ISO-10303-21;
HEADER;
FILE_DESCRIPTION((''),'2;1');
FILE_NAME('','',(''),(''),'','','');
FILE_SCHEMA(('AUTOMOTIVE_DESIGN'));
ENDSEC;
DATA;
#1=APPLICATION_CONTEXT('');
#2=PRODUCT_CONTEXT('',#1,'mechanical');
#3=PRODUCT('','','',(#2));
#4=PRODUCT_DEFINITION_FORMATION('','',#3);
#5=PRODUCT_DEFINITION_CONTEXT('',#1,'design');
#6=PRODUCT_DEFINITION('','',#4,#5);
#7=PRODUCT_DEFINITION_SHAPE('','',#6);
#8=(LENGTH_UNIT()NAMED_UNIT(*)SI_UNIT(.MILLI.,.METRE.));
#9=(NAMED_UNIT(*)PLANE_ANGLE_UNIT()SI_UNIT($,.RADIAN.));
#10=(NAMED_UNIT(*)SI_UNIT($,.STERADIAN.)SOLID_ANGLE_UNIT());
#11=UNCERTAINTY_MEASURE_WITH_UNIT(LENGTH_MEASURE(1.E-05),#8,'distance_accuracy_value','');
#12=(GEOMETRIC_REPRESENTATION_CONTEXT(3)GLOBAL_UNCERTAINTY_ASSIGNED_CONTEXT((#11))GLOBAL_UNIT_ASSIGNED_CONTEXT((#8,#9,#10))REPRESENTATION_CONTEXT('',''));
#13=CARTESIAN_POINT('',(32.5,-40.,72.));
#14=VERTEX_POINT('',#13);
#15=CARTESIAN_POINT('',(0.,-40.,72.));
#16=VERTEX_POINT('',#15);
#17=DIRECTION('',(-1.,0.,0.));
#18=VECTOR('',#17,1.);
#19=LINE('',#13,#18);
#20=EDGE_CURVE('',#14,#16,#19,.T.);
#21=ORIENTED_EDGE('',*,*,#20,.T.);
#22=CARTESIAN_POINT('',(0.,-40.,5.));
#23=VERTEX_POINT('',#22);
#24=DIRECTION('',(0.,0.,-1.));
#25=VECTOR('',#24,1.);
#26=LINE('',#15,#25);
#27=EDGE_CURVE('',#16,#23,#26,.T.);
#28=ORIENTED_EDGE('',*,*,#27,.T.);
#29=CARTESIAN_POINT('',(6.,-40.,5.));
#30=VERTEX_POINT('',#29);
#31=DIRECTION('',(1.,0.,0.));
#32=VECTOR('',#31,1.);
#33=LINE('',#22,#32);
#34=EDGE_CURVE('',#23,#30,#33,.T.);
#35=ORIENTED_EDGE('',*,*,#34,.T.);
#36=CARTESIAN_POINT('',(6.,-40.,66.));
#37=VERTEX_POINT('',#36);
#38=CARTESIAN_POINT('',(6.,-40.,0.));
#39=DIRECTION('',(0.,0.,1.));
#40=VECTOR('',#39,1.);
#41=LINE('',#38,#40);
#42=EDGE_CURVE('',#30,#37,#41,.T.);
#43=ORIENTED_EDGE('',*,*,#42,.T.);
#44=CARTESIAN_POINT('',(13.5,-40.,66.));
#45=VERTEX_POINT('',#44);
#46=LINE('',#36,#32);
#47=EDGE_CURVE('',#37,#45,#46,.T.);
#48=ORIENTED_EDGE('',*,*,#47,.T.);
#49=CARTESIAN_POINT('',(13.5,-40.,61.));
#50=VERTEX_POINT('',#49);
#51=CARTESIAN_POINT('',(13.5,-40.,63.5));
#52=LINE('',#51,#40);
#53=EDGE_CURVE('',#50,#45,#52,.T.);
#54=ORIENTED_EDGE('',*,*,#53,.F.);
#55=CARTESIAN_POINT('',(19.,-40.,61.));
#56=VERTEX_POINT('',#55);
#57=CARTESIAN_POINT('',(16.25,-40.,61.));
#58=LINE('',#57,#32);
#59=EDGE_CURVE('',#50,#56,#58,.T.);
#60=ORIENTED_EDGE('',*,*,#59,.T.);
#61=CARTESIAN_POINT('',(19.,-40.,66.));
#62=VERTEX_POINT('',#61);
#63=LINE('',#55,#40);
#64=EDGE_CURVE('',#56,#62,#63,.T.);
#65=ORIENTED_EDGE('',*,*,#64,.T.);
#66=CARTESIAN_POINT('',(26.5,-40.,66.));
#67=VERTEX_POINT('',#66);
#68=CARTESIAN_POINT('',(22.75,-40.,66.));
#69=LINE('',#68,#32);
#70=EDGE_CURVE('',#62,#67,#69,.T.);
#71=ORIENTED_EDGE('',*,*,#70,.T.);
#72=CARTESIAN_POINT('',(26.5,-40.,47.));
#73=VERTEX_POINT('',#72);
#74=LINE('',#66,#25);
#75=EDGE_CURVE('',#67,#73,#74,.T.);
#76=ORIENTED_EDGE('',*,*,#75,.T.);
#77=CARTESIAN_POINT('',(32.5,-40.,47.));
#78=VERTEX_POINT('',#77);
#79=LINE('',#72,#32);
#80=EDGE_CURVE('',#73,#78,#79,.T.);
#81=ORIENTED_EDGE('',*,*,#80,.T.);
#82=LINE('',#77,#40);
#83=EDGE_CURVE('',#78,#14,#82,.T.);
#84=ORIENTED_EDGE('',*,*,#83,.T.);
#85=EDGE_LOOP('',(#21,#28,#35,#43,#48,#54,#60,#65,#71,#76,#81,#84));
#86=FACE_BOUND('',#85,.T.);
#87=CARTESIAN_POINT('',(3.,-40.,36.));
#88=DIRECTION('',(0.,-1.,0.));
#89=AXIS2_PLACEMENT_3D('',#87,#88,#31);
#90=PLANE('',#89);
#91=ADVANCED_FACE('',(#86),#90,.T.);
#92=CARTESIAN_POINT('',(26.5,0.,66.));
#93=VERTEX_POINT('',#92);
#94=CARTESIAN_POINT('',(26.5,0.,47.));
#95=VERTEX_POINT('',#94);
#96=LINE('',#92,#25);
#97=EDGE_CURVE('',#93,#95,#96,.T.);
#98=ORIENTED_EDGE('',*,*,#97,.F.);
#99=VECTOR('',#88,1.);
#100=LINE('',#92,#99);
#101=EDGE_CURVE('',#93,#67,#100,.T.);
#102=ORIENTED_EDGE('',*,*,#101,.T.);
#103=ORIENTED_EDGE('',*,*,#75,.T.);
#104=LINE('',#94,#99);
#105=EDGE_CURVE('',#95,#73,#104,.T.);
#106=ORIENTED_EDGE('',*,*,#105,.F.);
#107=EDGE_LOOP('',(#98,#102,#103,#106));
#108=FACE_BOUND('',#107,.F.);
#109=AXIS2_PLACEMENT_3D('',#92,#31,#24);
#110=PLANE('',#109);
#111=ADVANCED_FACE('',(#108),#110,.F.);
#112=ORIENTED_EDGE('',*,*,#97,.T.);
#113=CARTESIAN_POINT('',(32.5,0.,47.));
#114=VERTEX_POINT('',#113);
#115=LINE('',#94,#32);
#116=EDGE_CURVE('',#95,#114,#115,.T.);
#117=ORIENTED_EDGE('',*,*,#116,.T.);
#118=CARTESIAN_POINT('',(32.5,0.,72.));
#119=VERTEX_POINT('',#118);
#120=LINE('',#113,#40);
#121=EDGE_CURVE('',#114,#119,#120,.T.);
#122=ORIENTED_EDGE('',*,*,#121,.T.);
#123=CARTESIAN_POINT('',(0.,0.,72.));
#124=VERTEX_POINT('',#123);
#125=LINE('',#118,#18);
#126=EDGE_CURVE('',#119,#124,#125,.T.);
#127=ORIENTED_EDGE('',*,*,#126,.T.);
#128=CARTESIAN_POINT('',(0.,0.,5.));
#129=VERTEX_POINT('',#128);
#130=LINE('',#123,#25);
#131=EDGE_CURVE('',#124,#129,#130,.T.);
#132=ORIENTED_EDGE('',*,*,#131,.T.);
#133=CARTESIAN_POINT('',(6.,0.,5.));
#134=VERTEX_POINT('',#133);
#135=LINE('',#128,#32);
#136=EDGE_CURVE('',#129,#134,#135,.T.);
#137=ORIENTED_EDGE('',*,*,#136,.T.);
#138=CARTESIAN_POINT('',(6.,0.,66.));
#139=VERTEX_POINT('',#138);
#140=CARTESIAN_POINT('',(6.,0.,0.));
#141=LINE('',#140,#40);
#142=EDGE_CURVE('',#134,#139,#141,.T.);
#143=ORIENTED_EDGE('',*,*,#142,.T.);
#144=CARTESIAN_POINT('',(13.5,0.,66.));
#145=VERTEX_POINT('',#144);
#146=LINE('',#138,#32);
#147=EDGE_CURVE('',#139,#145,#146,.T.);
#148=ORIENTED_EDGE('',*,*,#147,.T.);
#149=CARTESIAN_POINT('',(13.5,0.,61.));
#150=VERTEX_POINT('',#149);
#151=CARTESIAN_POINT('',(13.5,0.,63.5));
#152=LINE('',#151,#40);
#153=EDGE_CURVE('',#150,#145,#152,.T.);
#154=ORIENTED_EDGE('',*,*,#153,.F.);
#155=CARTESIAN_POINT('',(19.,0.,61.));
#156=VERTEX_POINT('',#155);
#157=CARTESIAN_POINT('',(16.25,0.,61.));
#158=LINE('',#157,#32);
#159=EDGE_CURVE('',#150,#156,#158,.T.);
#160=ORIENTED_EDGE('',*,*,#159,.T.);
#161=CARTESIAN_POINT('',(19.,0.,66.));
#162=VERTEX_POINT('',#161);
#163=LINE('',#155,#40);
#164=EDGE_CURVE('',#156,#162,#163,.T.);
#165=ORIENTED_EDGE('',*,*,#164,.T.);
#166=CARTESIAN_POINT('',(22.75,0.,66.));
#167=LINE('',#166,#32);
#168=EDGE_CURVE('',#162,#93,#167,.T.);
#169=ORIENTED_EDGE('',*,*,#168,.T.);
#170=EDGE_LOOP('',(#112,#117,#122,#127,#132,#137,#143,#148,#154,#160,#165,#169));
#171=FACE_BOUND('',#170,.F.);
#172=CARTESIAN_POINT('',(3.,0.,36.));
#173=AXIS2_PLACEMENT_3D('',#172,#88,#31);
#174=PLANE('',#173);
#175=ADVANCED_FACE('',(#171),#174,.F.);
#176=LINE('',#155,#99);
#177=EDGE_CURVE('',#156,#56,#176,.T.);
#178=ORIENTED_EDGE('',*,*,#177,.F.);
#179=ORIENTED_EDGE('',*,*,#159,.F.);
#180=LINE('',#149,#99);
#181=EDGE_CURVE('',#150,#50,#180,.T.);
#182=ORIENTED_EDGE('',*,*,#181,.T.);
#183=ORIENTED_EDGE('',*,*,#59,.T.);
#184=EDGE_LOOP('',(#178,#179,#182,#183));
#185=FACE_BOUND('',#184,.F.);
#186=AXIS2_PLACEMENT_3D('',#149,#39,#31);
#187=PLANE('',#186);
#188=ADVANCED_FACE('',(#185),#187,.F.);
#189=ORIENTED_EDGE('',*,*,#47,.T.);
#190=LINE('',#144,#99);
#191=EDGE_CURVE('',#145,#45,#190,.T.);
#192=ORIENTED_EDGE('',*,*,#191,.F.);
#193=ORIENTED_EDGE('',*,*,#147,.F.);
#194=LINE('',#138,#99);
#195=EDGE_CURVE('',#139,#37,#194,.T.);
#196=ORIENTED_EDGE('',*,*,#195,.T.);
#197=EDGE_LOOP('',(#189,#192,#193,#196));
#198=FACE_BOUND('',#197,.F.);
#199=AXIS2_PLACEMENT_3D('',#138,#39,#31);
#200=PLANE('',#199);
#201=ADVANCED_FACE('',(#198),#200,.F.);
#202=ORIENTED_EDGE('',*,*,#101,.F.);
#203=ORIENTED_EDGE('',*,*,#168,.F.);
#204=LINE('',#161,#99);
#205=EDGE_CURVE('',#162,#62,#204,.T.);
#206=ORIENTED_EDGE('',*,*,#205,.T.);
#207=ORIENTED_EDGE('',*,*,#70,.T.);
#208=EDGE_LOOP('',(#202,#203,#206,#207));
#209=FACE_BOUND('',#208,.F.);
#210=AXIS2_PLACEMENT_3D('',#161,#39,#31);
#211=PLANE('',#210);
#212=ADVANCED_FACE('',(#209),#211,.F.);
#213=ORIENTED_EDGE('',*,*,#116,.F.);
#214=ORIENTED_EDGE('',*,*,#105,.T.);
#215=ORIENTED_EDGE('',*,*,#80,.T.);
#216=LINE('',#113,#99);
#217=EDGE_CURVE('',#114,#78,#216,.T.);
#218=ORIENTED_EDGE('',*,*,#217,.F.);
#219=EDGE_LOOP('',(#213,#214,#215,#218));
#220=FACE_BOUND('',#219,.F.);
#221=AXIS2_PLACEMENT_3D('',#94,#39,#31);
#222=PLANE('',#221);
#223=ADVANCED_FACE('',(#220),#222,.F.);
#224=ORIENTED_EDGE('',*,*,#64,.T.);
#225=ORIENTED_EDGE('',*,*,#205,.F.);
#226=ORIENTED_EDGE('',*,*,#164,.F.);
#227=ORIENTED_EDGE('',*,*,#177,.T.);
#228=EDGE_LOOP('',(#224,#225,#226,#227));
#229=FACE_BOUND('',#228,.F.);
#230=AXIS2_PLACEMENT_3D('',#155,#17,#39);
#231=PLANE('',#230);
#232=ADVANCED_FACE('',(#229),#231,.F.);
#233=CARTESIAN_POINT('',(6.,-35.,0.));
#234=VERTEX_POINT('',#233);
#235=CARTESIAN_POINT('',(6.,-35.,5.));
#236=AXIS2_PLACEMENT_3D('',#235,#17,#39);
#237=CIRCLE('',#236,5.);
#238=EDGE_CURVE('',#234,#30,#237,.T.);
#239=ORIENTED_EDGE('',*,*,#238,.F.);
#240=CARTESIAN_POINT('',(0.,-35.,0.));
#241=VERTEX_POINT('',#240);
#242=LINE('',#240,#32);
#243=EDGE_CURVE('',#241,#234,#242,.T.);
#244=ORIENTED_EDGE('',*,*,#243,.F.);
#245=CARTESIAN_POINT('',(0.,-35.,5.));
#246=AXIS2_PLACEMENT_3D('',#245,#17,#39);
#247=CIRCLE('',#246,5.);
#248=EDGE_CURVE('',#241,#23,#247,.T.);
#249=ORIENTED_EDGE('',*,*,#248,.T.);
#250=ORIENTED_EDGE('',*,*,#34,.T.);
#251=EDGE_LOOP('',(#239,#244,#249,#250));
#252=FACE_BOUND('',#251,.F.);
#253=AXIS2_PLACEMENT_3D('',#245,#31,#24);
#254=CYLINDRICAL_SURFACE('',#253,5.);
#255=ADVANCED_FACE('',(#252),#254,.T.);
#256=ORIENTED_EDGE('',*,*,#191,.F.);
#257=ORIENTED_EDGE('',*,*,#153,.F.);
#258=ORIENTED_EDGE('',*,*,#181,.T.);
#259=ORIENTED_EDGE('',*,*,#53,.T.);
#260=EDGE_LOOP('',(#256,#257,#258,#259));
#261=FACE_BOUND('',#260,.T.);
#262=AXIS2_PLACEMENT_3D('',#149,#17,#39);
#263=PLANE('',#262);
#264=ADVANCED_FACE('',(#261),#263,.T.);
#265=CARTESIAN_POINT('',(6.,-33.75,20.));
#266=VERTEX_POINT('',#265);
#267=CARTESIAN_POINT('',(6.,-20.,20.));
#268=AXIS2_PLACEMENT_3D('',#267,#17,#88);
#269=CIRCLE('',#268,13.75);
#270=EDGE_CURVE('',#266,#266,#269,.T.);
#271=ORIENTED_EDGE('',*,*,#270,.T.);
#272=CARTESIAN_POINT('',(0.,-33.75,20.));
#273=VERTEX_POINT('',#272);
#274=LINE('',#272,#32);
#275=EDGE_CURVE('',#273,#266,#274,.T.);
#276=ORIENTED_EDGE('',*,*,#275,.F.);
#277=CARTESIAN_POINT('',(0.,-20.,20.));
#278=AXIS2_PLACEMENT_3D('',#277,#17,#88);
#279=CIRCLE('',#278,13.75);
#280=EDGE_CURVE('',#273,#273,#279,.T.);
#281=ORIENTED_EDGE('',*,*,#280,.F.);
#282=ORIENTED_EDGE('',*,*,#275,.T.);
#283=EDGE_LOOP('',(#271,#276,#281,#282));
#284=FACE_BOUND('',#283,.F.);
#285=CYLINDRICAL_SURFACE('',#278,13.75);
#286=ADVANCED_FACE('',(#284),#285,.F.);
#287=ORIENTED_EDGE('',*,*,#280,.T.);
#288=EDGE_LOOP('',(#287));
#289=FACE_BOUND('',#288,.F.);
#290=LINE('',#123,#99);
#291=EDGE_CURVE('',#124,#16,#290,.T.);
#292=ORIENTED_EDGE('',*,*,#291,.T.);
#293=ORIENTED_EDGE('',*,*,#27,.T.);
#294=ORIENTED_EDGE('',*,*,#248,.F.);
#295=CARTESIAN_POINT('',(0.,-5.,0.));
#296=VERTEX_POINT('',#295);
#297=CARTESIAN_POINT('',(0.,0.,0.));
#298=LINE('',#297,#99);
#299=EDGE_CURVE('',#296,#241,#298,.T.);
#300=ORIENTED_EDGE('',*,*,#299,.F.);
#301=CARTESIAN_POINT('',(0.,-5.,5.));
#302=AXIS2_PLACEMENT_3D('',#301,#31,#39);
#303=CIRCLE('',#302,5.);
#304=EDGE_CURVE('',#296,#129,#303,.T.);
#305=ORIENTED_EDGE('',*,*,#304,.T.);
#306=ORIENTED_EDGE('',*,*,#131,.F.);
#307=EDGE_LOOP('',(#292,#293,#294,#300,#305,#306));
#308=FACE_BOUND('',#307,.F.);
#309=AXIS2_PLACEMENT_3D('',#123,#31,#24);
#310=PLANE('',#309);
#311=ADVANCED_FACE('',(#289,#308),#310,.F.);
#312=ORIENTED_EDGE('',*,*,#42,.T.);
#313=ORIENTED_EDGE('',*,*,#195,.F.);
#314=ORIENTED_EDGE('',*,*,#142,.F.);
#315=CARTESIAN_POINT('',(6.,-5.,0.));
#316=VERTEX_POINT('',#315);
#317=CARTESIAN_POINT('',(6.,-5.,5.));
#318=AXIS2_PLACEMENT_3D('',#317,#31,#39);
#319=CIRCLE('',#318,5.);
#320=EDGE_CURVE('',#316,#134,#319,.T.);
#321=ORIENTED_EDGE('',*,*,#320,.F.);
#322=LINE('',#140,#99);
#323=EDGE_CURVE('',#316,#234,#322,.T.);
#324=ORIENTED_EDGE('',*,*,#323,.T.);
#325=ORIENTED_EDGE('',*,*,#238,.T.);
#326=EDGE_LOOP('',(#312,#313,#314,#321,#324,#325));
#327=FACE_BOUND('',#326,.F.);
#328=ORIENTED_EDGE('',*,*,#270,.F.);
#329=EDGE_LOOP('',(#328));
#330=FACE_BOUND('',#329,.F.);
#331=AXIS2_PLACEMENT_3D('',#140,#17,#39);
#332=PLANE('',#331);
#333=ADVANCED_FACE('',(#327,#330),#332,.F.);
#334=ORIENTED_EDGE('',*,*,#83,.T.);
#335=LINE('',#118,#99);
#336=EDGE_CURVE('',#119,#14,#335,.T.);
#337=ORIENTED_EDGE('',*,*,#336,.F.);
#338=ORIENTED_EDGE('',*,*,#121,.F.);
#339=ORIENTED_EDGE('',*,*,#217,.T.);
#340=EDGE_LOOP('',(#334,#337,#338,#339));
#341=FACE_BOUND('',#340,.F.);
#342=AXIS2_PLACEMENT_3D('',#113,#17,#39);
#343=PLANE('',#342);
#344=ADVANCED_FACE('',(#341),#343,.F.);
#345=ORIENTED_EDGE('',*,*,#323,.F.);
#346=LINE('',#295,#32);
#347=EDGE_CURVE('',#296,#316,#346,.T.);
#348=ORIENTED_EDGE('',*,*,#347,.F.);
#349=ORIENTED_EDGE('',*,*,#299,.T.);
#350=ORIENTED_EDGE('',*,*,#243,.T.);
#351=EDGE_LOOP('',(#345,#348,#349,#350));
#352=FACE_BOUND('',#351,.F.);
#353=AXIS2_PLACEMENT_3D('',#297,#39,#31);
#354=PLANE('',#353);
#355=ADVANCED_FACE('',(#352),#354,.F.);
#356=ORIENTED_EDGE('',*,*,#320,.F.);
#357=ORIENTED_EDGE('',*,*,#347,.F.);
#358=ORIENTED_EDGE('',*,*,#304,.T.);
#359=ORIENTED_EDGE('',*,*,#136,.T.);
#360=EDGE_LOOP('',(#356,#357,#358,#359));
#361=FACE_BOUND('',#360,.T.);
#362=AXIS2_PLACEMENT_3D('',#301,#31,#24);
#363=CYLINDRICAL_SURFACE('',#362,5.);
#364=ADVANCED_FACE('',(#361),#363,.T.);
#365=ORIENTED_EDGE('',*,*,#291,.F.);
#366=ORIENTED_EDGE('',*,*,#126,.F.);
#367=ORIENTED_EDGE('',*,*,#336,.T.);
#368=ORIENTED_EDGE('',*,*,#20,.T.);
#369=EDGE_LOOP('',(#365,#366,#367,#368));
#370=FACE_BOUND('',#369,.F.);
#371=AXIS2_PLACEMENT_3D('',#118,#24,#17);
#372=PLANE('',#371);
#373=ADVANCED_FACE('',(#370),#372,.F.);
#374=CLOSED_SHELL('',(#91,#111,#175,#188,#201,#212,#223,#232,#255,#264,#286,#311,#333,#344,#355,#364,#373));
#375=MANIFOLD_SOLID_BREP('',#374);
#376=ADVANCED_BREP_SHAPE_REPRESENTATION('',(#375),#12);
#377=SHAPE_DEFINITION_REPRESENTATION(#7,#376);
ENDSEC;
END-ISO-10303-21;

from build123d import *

# Parameters (mm, degrees)
F0_W     = 5.5
F0_H     = 5
F0_W_2   = 7.5
F0_H_2   = 6
F1_DEPTH = 40
F2_R     = 5
F3_R     = 13.75
F4_DEPTH = 25


with BuildPart() as f1:
    # F0 (on Front) → F1 (new body)
    with BuildSketch(Plane.XZ):
        Polygon((0, 72), (0, 0), (6, 0), (6, 66), (6, 72), align=None)
        Polygon((6, 72), (6, 66), (13.5, 66), (19, 66), (19, 72), align=None)
        with Locations((16.25, 63.5)):
            Rectangle(F0_W, F0_H)
        with Locations((22.75, 69)):
            Rectangle(F0_W_2, F0_H_2)
        Polygon((32.5, 72), (26.5, 72), (26.5, 66), (26.5, 47), (32.5, 47), align=None)
    extrude(amount=F1_DEPTH)

    # F2
    f2_edges = [f1.edges().sort_by_distance(p)[0] for p in [
        (3, 0, 0),
        (3, -40, 0),
    ]]
    fillet(f2_edges, radius=F2_R)

    # F3 (on face) → F4 (cut)
    with BuildSketch(Plane(origin=(0, 0, 0), x_dir=(0, -1, 0), z_dir=(-1, 0, 0))):
        with Locations((20, 20)):
            Circle(F3_R)
    extrude(amount=-F4_DEPTH, mode=Mode.SUBTRACT)


solid = f1.part
